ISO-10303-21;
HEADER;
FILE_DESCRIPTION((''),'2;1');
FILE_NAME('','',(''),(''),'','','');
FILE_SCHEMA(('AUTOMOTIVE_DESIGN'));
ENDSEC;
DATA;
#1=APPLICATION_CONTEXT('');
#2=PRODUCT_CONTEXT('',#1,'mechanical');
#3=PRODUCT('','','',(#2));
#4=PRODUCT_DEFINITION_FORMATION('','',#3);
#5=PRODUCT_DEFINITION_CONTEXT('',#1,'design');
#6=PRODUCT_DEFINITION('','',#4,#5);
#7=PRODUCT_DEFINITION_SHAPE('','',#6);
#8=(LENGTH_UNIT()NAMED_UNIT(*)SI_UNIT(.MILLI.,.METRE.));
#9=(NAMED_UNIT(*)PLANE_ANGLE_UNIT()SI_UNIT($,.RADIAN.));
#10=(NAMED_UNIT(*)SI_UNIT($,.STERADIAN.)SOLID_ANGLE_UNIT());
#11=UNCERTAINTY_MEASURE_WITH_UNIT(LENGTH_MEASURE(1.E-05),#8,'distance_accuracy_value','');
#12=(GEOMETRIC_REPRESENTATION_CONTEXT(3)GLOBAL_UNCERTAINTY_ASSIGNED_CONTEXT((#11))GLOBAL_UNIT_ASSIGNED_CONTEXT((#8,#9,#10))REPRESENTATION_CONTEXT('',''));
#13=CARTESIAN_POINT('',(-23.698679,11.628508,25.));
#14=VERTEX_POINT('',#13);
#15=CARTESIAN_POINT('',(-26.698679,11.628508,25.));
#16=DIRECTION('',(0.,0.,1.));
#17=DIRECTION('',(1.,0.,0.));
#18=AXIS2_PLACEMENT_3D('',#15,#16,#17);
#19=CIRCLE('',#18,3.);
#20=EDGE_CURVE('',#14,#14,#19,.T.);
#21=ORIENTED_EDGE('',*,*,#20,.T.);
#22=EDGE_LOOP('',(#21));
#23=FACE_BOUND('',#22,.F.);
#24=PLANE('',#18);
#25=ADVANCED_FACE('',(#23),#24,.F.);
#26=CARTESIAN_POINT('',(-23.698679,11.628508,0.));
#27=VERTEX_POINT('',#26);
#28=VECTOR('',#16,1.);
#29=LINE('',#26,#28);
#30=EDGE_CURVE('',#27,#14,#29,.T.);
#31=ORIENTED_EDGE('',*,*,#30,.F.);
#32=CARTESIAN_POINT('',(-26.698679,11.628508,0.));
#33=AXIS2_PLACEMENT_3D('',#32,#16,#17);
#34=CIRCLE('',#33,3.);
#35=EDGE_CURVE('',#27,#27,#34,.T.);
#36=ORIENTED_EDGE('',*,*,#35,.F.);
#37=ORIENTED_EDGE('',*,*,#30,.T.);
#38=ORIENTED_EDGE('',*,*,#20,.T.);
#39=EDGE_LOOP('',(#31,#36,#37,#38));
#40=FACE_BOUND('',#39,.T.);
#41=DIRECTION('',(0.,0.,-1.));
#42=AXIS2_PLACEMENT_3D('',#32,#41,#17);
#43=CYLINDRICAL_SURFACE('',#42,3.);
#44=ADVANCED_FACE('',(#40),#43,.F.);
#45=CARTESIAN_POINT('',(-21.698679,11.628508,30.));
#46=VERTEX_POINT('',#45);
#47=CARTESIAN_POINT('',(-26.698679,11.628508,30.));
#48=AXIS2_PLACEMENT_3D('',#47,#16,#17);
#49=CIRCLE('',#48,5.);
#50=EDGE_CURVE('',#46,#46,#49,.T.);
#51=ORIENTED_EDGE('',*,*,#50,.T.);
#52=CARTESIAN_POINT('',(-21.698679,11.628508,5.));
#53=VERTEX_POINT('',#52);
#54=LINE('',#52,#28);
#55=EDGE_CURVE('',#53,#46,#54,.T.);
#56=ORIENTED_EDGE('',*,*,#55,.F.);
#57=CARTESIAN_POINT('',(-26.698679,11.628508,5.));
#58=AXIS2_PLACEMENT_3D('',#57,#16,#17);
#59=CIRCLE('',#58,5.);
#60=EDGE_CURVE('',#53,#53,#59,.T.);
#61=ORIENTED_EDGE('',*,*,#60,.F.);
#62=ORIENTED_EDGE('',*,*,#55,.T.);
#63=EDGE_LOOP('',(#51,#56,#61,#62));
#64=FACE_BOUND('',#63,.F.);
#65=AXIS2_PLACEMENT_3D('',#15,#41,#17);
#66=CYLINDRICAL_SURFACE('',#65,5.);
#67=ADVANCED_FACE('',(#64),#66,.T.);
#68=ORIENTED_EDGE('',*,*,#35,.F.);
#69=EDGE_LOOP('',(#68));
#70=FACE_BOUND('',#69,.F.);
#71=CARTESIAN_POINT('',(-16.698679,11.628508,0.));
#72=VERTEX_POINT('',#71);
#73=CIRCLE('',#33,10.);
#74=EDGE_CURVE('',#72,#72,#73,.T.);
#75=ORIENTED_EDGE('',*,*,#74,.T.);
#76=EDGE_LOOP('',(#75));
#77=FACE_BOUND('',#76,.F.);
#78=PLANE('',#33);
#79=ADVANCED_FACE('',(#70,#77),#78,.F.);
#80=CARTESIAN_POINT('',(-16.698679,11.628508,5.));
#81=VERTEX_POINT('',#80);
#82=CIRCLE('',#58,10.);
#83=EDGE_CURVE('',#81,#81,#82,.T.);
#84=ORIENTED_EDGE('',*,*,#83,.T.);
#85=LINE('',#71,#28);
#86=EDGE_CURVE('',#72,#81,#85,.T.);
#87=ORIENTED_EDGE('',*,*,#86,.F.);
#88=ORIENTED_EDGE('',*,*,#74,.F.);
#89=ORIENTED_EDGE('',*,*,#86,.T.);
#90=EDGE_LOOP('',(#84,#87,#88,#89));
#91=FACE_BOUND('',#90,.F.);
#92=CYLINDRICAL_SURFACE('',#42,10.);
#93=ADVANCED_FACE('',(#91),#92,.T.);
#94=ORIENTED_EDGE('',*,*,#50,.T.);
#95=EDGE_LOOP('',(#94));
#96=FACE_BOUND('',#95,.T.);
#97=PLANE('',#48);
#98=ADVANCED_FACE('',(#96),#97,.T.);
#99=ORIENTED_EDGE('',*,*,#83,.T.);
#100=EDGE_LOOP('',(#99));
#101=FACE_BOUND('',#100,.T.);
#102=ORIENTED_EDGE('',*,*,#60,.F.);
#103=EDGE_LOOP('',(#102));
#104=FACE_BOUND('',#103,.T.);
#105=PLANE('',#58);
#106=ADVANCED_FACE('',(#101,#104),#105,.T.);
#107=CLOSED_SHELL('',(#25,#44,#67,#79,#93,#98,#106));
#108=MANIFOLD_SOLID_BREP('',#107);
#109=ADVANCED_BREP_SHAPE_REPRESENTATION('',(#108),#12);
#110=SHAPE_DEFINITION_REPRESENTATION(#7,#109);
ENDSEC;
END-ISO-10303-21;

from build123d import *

# Parameters (mm, degrees)
F0_R     = 10
F0_R_2   = 5
F1_DEPTH = 5
F0_R_3   = 3
F2_DEPTH = 25
F3_R     = 5
F4_DEPTH = 5


with BuildPart() as f1:
    # F0 (on Top) → F1 (new body)
    with BuildSketch(Plane.XY):
        with Locations((-26.698679, 11.628508)):
            Circle(F0_R)
        with Locations((-26.698679, 11.628508)):
            Circle(F0_R_2, mode=Mode.SUBTRACT)
    extrude(amount=F1_DEPTH)

    # F0 (on Top) → F2 (join)
    with BuildSketch(Plane.XY):
        with Locations((-26.698679, 11.628508)):
            Circle(F0_R_2)
        with Locations((-26.698679, 11.628508)):
            Circle(F0_R_3, mode=Mode.SUBTRACT)
    extrude(amount=F2_DEPTH)

    # F3 (on face) → F4 (join)
    with BuildSketch(Plane.XY.offset(25)):
        with Locations((-26.698679, 11.628508)):
            Circle(F3_R)
    extrude(amount=F4_DEPTH)


solid = f1.part
